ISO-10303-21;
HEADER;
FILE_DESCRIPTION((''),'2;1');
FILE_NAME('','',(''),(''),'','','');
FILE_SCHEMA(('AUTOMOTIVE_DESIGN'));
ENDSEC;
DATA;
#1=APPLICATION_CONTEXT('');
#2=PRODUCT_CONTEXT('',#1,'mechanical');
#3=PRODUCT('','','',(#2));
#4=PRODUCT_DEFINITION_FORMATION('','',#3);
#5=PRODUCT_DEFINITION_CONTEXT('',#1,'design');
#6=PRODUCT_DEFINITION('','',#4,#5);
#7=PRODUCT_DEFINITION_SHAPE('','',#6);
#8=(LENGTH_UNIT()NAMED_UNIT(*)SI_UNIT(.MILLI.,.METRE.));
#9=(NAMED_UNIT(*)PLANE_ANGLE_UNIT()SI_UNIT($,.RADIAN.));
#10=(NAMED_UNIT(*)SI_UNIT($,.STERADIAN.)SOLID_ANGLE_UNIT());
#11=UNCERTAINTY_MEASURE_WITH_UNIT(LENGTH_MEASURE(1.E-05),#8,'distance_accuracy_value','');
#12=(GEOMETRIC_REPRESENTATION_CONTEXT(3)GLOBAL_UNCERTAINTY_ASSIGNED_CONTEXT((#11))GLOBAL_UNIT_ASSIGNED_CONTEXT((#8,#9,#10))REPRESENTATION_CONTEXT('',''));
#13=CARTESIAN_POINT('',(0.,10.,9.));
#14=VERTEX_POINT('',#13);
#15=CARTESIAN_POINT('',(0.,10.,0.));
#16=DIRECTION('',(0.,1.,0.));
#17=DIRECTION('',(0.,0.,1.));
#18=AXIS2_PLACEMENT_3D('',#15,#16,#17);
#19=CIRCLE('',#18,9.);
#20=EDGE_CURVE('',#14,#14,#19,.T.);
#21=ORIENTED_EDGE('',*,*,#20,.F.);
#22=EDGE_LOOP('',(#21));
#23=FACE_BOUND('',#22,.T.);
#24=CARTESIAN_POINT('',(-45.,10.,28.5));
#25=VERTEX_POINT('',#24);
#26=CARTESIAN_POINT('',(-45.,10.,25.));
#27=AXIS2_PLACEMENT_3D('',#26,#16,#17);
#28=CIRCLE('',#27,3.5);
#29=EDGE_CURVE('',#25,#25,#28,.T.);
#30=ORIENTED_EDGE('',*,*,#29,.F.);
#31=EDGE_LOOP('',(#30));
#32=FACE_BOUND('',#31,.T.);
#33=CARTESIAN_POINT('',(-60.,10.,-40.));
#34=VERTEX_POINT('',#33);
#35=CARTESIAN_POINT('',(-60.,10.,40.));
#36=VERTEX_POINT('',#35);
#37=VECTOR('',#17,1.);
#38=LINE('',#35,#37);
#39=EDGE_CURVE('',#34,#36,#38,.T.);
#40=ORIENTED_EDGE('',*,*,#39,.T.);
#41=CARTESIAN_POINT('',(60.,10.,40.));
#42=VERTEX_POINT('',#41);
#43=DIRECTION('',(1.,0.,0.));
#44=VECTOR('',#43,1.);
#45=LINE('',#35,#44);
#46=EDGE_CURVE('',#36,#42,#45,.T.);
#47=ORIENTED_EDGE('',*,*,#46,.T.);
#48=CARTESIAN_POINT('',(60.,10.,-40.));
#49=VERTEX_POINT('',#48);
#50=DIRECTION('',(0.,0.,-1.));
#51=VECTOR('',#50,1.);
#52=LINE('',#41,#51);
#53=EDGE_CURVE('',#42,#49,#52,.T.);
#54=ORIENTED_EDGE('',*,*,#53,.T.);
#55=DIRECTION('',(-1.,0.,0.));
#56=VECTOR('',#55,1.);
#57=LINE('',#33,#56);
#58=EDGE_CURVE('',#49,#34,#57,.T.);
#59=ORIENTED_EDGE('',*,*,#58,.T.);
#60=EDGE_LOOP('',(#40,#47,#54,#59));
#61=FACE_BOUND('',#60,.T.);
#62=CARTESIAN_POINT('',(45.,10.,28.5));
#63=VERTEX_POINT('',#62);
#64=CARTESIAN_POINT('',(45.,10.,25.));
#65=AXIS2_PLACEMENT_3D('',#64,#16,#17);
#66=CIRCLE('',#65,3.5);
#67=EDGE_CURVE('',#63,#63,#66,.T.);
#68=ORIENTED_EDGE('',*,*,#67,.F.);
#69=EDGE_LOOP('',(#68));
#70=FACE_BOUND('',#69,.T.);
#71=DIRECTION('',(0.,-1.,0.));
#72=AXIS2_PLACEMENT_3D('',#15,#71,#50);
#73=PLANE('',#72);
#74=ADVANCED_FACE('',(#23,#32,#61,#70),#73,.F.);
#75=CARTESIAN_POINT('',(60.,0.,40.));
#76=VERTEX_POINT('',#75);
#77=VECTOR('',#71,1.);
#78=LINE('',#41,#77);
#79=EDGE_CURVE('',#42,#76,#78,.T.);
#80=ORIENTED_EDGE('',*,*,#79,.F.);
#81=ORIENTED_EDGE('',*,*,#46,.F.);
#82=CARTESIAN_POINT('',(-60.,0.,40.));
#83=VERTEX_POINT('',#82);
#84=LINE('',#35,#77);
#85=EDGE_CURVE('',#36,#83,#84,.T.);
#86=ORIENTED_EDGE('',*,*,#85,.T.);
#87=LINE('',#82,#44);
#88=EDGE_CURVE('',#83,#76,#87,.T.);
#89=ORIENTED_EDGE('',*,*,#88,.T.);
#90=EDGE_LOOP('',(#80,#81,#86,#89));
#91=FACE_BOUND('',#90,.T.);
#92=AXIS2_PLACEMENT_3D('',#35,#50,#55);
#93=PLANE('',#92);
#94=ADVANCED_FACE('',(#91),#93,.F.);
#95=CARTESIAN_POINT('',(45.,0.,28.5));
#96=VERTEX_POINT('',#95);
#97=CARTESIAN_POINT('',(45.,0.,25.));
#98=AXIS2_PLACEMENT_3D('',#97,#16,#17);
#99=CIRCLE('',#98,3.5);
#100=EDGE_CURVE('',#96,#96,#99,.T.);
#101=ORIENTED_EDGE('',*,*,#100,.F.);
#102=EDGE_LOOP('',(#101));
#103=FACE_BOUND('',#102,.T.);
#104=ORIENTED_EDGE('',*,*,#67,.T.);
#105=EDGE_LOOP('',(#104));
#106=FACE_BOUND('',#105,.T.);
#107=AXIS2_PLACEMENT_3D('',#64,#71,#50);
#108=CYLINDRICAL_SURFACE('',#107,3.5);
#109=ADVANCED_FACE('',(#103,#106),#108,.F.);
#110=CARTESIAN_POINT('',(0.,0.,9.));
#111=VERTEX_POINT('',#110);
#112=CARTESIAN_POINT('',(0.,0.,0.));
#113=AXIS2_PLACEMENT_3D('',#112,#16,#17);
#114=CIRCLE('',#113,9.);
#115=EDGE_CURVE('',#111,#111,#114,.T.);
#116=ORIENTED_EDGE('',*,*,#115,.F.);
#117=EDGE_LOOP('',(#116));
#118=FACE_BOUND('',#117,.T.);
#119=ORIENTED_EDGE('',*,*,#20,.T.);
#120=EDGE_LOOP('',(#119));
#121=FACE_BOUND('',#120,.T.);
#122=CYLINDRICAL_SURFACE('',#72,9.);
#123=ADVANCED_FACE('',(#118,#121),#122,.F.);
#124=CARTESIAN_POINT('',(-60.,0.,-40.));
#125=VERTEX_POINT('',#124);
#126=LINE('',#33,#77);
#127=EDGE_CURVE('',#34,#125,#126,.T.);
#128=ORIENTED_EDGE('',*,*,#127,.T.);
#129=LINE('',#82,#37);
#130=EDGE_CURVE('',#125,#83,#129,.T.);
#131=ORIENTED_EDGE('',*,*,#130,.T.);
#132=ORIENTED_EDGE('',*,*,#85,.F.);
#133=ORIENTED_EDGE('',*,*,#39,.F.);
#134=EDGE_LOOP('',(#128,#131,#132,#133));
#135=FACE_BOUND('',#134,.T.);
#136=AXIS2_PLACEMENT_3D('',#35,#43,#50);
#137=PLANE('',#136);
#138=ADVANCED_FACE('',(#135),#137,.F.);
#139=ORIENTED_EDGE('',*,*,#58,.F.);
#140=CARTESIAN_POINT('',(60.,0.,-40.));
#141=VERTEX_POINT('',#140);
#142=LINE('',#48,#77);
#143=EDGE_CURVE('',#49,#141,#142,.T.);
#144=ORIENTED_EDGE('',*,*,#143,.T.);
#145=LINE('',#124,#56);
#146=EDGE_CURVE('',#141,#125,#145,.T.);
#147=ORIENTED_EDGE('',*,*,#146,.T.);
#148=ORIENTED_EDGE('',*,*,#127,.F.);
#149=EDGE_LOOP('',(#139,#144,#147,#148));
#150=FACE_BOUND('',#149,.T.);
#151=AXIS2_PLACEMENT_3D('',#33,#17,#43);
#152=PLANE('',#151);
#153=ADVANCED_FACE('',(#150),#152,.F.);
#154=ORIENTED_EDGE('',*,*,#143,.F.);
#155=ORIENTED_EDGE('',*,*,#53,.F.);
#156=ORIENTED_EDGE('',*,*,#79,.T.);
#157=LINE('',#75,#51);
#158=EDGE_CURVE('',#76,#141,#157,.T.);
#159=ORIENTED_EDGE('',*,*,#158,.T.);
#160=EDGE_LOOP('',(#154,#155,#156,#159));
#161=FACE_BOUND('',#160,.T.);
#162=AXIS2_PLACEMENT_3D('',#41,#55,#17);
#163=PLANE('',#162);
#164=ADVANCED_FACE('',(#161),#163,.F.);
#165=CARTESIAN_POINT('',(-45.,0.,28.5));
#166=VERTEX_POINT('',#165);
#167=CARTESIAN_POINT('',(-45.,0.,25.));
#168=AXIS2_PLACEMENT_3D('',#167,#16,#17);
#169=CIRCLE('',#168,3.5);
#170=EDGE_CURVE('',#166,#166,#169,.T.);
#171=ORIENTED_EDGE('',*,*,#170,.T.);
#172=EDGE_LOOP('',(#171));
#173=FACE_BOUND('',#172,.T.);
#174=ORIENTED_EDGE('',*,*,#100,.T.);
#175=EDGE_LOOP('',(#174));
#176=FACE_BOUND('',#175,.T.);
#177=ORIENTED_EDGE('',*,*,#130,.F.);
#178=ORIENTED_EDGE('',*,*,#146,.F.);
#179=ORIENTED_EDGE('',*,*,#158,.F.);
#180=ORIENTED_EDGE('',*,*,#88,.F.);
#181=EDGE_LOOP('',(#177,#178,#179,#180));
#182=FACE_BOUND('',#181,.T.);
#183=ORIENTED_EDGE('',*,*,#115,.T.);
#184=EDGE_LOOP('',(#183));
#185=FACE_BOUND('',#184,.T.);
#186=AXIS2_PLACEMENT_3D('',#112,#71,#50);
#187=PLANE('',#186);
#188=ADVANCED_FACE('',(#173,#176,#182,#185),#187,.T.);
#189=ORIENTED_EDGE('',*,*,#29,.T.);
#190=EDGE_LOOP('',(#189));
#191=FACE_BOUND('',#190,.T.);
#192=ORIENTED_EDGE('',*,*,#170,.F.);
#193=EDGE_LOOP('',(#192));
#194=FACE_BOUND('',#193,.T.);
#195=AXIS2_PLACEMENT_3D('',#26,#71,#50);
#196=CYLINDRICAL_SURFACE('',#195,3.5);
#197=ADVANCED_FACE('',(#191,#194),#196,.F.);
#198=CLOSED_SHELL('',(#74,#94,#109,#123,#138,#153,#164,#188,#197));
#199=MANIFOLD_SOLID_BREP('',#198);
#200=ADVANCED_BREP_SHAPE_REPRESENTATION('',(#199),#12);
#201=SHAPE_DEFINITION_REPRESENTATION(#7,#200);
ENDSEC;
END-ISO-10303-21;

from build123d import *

# Parameters (mm, degrees)
SKETCH_1_W      = 120
SKETCH_1_H      = 80
SKETCH_1_R      = 9
SKETCH_1_R_2    = 3.5
EXTRUDE_1_DEPTH = 10


with BuildPart() as part:
    # 草图1 → 凸台-拉伸1 (new body)
    with BuildSketch(Plane(origin=(0, 0, 0), x_dir=(1, 0, 0), z_dir=(0, 1, 0))):
        Rectangle(SKETCH_1_W, SKETCH_1_H)
        with Locations(Location((0, 0, 0), (0, 0, 270))):
            Circle(SKETCH_1_R, mode=Mode.SUBTRACT)
        with Locations(Location((-45, -25, 0), (0, 0, 270))):
            Circle(SKETCH_1_R_2, mode=Mode.SUBTRACT)
        with Locations(Location((45, -25, 0), (0, 0, 270))):
            Circle(SKETCH_1_R_2, mode=Mode.SUBTRACT)
    extrude(amount=EXTRUDE_1_DEPTH)


solid = part.part
